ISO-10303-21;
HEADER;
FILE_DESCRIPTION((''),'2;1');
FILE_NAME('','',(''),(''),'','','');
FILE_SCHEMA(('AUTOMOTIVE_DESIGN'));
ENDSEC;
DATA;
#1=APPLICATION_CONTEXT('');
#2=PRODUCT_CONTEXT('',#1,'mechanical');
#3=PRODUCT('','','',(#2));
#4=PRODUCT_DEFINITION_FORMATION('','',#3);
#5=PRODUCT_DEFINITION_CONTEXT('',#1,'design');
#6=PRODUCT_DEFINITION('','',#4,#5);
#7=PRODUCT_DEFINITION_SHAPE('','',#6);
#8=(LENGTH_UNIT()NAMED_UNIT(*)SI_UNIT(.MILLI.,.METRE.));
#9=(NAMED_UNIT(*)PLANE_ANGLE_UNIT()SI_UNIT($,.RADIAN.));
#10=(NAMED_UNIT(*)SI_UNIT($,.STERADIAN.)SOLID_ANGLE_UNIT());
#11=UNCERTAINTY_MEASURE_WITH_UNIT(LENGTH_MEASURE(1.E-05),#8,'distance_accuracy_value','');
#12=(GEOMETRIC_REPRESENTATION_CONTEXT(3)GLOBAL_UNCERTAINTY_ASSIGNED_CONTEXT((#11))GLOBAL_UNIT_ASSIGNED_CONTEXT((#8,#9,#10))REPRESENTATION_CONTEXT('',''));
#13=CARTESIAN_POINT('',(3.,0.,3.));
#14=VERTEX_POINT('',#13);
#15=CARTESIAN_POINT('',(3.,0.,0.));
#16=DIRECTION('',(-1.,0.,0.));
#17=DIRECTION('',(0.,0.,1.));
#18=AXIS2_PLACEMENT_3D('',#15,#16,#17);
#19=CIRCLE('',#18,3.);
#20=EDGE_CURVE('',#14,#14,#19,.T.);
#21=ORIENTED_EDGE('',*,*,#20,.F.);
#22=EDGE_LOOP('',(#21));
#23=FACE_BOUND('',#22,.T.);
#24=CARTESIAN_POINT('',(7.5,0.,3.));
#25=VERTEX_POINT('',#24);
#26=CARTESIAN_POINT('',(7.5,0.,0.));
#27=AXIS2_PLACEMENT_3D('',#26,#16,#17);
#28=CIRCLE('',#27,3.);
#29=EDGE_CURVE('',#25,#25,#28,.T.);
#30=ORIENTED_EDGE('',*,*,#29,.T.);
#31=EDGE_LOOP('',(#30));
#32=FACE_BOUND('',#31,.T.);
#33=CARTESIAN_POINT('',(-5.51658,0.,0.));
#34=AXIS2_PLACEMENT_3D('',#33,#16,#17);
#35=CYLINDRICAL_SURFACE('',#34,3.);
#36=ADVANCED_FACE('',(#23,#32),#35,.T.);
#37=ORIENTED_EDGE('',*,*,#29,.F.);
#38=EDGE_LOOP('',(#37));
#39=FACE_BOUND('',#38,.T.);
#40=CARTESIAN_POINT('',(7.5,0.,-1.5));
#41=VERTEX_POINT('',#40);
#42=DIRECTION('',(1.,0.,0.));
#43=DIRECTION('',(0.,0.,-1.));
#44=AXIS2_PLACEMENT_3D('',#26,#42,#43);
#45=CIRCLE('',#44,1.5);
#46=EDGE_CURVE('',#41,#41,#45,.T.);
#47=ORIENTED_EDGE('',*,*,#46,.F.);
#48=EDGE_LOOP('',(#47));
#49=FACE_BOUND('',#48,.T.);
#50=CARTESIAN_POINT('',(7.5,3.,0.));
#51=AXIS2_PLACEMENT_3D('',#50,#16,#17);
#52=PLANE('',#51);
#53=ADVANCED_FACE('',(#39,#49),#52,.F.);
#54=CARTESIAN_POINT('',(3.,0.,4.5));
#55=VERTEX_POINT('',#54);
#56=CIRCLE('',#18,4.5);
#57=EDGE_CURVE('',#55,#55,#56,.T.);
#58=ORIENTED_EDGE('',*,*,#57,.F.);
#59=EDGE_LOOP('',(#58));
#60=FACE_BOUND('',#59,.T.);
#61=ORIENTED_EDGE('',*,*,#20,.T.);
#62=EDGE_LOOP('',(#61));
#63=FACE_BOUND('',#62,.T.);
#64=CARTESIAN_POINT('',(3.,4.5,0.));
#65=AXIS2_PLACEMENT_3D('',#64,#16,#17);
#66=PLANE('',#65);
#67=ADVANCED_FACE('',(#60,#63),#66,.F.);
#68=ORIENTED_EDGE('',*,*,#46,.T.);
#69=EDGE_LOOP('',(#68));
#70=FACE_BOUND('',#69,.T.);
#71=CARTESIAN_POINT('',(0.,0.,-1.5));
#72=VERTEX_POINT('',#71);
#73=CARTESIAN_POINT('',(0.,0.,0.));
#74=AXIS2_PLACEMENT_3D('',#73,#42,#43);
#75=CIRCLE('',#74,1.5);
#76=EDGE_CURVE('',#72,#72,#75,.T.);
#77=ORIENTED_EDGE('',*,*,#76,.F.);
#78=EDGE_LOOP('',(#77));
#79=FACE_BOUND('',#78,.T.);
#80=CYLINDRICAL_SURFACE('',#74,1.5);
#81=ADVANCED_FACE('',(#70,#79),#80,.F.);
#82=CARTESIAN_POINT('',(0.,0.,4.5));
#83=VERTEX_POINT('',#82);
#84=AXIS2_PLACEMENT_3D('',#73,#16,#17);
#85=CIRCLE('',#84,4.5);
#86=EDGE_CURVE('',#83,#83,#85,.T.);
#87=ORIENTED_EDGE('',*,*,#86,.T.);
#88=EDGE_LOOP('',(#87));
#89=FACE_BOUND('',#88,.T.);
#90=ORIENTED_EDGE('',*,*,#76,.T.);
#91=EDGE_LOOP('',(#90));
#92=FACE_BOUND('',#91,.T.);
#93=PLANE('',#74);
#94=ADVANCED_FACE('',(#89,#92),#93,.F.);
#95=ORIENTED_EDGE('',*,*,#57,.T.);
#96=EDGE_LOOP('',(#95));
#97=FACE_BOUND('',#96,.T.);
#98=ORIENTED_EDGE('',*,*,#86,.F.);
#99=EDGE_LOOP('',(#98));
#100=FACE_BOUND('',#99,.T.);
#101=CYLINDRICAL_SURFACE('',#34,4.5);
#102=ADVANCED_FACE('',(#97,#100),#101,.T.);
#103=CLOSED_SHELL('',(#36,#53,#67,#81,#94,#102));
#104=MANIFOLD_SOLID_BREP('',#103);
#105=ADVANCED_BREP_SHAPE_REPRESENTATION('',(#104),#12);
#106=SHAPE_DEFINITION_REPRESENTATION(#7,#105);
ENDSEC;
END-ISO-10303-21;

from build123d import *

# Parameters (mm, degrees)
ESQUISSE4_R             = 1.5
ENL_V_MAT_EXTRU_1_DEPTH = 8.5


with BuildPart() as part:
    # Esquisse3 → Révolution1 (revolve)
    with BuildSketch(Plane.XY):
        Polygon((0, 0), (0, 4.5), (3, 4.5), (3, 3), (7.5, 3), (7.5, 0), align=None)
    revolve(axis=Axis((-5.516579947, 0, 0), (1, 0, 0)))

    # Esquisse4 → Enlèv. mat.-Extru.1 (cut, through all)
    with BuildSketch(Plane(origin=(7.5, 0, 0), x_dir=(0, 0, -1), z_dir=(1, 0, 0))):
        Circle(ESQUISSE4_R)
    extrude(amount=-ENL_V_MAT_EXTRU_1_DEPTH, mode=Mode.SUBTRACT)


solid = part.part
